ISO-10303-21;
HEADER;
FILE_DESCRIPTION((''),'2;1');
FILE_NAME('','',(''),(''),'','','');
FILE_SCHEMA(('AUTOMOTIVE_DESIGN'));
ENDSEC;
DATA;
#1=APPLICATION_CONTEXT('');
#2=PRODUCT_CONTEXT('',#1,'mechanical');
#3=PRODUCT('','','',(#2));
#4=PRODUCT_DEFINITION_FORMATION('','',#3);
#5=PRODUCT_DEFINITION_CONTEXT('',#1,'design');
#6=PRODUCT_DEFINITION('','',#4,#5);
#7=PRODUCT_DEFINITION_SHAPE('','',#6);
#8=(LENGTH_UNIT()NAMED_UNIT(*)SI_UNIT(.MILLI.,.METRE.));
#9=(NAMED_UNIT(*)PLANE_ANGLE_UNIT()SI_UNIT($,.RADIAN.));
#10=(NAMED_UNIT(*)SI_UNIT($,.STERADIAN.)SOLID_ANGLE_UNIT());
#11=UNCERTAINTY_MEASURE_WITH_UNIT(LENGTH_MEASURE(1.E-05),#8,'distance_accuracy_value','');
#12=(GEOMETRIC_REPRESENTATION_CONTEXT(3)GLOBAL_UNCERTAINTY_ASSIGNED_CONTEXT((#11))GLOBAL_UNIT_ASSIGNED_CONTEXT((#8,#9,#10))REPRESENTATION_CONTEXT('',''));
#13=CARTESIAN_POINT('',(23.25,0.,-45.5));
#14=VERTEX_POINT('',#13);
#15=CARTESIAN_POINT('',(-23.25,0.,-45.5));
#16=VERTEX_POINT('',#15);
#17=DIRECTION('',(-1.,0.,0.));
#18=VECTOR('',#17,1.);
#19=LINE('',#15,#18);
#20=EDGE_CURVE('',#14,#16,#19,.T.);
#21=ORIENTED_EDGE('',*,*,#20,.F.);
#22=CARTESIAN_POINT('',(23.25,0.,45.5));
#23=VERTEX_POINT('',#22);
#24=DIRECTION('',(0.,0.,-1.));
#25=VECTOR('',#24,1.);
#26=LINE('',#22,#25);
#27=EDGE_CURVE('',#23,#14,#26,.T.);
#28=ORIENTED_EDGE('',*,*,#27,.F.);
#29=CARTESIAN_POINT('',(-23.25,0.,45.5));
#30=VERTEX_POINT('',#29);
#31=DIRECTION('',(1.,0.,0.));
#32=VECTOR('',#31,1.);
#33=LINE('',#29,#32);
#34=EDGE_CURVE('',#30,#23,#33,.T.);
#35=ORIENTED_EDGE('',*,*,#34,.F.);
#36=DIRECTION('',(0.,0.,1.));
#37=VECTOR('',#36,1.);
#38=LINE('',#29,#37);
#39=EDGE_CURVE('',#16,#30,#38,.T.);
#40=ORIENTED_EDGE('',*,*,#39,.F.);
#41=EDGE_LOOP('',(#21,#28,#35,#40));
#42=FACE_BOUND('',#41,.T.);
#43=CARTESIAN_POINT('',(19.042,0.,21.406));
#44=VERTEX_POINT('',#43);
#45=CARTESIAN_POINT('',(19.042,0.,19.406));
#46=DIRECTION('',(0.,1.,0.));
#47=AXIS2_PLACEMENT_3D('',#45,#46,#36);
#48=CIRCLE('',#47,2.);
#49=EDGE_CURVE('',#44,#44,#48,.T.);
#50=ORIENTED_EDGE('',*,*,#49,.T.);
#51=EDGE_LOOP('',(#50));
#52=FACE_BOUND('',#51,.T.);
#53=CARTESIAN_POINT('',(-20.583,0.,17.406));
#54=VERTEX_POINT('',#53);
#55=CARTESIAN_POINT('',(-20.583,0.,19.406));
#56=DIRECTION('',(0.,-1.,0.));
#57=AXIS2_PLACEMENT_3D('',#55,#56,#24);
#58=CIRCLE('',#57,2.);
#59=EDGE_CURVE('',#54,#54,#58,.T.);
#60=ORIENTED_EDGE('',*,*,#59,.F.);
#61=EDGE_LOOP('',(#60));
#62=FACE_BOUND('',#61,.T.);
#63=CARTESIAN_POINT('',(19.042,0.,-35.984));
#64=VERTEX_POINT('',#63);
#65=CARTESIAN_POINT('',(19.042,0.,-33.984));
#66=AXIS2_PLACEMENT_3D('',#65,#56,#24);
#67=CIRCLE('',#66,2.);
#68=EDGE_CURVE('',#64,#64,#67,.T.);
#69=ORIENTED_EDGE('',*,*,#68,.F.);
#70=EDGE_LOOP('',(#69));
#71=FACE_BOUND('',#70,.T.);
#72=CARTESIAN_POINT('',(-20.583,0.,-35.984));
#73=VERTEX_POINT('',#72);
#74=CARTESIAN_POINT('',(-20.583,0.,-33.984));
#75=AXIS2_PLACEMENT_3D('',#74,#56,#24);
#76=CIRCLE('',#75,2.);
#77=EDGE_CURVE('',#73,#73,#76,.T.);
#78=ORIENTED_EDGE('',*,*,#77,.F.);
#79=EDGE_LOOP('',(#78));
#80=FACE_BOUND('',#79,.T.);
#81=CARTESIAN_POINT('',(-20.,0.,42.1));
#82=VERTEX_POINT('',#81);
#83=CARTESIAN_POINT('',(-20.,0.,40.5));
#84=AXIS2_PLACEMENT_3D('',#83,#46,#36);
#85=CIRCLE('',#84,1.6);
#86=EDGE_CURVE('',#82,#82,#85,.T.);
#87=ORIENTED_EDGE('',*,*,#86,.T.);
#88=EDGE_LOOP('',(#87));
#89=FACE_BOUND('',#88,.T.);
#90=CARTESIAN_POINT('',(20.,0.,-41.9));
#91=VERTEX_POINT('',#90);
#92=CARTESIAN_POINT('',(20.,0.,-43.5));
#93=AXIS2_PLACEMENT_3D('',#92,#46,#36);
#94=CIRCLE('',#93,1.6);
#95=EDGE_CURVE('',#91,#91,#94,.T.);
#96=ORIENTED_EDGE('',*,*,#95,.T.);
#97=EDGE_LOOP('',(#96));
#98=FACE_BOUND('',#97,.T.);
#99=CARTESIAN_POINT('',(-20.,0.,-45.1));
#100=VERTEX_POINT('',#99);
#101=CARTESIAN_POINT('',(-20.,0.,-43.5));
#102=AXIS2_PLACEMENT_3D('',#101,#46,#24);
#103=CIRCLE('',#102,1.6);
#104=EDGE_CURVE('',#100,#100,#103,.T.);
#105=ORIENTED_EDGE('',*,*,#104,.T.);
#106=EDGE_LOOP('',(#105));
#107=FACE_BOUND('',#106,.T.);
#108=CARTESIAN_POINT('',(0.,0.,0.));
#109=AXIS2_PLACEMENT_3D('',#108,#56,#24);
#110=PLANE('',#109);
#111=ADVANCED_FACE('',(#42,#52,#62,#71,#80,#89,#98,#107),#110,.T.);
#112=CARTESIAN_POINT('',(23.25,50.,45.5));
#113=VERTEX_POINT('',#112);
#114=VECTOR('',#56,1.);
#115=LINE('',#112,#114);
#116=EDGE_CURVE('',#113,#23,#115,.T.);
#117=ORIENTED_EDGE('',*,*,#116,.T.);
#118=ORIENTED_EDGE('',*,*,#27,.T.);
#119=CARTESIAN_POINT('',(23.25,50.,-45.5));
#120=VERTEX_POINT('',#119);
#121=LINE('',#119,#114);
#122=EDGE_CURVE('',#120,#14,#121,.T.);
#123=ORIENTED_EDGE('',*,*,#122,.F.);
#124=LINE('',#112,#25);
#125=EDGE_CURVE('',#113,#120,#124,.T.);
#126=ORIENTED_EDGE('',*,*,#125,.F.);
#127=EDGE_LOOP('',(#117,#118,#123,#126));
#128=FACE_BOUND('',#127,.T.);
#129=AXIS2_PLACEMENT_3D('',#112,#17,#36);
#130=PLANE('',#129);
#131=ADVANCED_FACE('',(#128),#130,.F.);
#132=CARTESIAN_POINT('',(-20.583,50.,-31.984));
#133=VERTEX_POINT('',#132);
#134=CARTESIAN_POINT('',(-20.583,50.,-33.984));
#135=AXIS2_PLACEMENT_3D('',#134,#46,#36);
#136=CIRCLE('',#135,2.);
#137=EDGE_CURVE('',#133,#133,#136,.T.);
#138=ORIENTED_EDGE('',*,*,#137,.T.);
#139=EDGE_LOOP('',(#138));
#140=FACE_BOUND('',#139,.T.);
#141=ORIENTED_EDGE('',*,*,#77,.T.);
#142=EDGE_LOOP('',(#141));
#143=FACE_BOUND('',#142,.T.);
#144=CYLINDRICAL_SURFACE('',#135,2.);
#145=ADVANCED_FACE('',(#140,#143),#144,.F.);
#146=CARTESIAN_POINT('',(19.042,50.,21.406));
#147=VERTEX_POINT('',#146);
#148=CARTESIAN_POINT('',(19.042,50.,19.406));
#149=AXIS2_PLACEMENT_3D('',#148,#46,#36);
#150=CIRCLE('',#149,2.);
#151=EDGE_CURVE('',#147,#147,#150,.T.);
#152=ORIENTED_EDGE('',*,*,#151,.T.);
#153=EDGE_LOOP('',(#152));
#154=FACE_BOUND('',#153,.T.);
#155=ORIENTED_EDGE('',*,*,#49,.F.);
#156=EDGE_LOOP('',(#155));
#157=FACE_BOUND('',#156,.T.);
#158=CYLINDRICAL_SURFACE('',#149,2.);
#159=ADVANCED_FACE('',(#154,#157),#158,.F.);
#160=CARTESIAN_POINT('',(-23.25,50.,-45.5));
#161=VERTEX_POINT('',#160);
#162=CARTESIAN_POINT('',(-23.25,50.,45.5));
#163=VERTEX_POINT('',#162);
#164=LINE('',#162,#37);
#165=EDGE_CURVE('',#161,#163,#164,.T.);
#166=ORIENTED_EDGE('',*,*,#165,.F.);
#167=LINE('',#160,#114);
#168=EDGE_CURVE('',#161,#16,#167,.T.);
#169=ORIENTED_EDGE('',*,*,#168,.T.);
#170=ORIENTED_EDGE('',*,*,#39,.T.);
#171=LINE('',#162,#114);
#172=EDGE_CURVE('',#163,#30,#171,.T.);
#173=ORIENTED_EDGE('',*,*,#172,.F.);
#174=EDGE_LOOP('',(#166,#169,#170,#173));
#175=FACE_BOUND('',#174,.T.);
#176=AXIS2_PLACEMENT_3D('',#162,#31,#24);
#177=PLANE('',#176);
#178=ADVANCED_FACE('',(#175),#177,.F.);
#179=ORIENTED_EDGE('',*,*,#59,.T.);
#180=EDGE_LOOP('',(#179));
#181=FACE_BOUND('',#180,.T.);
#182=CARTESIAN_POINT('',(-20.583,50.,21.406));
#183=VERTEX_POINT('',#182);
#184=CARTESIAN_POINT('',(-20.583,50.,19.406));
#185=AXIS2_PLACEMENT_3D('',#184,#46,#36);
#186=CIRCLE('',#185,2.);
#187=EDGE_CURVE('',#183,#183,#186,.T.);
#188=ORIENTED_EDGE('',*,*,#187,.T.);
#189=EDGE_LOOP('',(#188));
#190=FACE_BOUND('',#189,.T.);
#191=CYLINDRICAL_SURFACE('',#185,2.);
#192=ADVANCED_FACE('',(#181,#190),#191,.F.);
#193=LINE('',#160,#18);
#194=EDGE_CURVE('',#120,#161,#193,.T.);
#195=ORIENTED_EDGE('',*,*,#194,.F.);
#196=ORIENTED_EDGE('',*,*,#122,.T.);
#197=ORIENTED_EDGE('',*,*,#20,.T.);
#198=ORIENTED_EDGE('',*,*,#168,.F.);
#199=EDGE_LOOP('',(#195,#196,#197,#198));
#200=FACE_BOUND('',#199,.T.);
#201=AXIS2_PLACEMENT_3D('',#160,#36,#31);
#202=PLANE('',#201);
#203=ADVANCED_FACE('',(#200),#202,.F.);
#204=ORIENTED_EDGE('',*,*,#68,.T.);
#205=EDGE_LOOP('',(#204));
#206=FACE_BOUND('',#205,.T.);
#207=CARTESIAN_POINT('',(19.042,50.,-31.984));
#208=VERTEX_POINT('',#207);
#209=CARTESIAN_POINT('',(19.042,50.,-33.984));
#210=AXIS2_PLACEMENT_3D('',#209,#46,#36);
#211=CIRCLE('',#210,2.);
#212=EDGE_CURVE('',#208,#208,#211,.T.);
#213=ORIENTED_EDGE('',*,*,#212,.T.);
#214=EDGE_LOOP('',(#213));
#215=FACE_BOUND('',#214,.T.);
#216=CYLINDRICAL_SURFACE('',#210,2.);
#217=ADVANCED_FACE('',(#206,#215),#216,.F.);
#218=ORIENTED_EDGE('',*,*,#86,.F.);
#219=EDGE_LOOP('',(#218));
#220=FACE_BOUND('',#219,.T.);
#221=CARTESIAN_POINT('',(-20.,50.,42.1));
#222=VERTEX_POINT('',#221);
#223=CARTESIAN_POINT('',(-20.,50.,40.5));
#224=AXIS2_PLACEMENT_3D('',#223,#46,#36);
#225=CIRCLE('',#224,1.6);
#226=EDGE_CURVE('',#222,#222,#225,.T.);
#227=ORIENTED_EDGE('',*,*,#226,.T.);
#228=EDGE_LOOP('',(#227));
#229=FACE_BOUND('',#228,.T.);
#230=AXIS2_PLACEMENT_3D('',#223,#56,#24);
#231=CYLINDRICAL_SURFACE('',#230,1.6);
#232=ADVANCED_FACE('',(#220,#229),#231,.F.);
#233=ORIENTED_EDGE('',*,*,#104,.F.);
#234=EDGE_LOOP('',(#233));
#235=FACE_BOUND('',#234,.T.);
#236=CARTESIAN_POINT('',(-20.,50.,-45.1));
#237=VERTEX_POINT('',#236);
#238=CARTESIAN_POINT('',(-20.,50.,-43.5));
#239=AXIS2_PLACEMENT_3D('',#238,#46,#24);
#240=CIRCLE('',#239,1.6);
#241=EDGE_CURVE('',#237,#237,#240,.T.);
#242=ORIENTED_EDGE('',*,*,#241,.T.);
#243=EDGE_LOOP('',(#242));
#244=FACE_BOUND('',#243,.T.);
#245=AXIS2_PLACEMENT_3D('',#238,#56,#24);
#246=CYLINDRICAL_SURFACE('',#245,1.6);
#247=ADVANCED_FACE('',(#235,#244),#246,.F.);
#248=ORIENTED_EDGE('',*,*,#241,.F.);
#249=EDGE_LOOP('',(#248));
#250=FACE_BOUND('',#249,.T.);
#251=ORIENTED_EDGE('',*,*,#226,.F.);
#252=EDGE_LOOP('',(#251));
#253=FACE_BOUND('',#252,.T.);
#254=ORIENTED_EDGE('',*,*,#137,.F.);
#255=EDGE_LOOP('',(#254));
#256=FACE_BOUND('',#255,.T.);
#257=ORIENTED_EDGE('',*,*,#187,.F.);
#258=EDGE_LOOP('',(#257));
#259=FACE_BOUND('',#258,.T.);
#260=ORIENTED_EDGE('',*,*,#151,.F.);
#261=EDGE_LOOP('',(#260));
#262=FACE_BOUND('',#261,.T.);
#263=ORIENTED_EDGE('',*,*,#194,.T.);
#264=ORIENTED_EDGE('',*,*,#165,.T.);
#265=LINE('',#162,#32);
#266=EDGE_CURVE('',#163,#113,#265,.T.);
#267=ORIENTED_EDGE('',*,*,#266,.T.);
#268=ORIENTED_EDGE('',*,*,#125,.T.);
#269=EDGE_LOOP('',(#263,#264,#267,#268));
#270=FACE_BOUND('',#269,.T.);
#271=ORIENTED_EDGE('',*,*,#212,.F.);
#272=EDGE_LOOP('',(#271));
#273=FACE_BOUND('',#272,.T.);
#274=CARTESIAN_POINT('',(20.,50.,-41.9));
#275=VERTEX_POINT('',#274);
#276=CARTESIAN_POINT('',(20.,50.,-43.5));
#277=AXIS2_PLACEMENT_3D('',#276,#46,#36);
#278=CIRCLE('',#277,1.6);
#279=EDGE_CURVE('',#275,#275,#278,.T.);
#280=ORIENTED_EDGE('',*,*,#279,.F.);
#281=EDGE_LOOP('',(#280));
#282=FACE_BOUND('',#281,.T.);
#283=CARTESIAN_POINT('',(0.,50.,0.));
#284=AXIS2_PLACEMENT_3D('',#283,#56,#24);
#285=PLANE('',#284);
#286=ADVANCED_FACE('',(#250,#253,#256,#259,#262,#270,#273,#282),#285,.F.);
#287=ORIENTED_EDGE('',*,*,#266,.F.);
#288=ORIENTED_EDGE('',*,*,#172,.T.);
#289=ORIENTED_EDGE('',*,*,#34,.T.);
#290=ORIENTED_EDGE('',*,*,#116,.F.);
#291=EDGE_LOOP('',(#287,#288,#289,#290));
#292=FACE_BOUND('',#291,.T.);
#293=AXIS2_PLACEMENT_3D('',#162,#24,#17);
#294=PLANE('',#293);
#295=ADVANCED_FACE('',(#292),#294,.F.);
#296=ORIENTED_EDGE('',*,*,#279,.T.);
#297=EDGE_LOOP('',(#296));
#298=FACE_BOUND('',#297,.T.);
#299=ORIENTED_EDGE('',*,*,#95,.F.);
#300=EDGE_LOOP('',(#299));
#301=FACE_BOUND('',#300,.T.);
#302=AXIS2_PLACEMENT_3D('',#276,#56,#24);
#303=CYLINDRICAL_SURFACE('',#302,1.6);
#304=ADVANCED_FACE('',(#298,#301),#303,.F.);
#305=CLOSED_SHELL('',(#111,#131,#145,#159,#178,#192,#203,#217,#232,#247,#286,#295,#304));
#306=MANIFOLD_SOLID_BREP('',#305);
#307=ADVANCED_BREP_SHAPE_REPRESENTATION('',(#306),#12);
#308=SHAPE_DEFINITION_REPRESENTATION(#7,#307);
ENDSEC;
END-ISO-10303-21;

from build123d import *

# Parameters (mm, degrees)
SKETCH_1_W          = 46.5
SKETCH_1_H          = 91
SKETCH_1_R          = 1.6
EXTRUDE_1_DEPTH     = 50
HOLE_WIZARD_1_D     = 4
HOLE_WIZARD_2_D     = 4
HOLE_WIZARD_2_DEPTH = 100


with BuildPart() as part:
    # 草图1 → 凸台-拉伸1 (new body)
    with BuildSketch(Plane(origin=(0, 0, 0), x_dir=(1, 0, 0), z_dir=(0, 1, 0))):
        Rectangle(SKETCH_1_W, SKETCH_1_H)
        with Locations(Location((20, 43.5, 0), (0, 0, 270))):
            Circle(SKETCH_1_R, mode=Mode.SUBTRACT)
        with Locations(Location((-20, 43.5, 0), (0, 0, 90))):
            Circle(SKETCH_1_R, mode=Mode.SUBTRACT)
        with Locations(Location((-20, -40.5, 0), (0, 0, 270))):
            Circle(SKETCH_1_R, mode=Mode.SUBTRACT)
    extrude(amount=EXTRUDE_1_DEPTH)

    # 孔1 (through all)
    with Locations(Plane(origin=(0, 50, 0), x_dir=(1, 0, 0), z_dir=(0, 1, 0))):
        with Locations((19.042, -19.406)):
            Hole(HOLE_WIZARD_1_D / 2)

    # 孔2
    with Locations(Plane(origin=(0, 50, 0), x_dir=(1, 0, 0), z_dir=(0, 1, 0))):
        with Locations((19.042, 33.984), (-20.583, 33.984), (-20.583, -19.406)):
            Hole(HOLE_WIZARD_2_D / 2, depth=HOLE_WIZARD_2_DEPTH)


solid = part.part
